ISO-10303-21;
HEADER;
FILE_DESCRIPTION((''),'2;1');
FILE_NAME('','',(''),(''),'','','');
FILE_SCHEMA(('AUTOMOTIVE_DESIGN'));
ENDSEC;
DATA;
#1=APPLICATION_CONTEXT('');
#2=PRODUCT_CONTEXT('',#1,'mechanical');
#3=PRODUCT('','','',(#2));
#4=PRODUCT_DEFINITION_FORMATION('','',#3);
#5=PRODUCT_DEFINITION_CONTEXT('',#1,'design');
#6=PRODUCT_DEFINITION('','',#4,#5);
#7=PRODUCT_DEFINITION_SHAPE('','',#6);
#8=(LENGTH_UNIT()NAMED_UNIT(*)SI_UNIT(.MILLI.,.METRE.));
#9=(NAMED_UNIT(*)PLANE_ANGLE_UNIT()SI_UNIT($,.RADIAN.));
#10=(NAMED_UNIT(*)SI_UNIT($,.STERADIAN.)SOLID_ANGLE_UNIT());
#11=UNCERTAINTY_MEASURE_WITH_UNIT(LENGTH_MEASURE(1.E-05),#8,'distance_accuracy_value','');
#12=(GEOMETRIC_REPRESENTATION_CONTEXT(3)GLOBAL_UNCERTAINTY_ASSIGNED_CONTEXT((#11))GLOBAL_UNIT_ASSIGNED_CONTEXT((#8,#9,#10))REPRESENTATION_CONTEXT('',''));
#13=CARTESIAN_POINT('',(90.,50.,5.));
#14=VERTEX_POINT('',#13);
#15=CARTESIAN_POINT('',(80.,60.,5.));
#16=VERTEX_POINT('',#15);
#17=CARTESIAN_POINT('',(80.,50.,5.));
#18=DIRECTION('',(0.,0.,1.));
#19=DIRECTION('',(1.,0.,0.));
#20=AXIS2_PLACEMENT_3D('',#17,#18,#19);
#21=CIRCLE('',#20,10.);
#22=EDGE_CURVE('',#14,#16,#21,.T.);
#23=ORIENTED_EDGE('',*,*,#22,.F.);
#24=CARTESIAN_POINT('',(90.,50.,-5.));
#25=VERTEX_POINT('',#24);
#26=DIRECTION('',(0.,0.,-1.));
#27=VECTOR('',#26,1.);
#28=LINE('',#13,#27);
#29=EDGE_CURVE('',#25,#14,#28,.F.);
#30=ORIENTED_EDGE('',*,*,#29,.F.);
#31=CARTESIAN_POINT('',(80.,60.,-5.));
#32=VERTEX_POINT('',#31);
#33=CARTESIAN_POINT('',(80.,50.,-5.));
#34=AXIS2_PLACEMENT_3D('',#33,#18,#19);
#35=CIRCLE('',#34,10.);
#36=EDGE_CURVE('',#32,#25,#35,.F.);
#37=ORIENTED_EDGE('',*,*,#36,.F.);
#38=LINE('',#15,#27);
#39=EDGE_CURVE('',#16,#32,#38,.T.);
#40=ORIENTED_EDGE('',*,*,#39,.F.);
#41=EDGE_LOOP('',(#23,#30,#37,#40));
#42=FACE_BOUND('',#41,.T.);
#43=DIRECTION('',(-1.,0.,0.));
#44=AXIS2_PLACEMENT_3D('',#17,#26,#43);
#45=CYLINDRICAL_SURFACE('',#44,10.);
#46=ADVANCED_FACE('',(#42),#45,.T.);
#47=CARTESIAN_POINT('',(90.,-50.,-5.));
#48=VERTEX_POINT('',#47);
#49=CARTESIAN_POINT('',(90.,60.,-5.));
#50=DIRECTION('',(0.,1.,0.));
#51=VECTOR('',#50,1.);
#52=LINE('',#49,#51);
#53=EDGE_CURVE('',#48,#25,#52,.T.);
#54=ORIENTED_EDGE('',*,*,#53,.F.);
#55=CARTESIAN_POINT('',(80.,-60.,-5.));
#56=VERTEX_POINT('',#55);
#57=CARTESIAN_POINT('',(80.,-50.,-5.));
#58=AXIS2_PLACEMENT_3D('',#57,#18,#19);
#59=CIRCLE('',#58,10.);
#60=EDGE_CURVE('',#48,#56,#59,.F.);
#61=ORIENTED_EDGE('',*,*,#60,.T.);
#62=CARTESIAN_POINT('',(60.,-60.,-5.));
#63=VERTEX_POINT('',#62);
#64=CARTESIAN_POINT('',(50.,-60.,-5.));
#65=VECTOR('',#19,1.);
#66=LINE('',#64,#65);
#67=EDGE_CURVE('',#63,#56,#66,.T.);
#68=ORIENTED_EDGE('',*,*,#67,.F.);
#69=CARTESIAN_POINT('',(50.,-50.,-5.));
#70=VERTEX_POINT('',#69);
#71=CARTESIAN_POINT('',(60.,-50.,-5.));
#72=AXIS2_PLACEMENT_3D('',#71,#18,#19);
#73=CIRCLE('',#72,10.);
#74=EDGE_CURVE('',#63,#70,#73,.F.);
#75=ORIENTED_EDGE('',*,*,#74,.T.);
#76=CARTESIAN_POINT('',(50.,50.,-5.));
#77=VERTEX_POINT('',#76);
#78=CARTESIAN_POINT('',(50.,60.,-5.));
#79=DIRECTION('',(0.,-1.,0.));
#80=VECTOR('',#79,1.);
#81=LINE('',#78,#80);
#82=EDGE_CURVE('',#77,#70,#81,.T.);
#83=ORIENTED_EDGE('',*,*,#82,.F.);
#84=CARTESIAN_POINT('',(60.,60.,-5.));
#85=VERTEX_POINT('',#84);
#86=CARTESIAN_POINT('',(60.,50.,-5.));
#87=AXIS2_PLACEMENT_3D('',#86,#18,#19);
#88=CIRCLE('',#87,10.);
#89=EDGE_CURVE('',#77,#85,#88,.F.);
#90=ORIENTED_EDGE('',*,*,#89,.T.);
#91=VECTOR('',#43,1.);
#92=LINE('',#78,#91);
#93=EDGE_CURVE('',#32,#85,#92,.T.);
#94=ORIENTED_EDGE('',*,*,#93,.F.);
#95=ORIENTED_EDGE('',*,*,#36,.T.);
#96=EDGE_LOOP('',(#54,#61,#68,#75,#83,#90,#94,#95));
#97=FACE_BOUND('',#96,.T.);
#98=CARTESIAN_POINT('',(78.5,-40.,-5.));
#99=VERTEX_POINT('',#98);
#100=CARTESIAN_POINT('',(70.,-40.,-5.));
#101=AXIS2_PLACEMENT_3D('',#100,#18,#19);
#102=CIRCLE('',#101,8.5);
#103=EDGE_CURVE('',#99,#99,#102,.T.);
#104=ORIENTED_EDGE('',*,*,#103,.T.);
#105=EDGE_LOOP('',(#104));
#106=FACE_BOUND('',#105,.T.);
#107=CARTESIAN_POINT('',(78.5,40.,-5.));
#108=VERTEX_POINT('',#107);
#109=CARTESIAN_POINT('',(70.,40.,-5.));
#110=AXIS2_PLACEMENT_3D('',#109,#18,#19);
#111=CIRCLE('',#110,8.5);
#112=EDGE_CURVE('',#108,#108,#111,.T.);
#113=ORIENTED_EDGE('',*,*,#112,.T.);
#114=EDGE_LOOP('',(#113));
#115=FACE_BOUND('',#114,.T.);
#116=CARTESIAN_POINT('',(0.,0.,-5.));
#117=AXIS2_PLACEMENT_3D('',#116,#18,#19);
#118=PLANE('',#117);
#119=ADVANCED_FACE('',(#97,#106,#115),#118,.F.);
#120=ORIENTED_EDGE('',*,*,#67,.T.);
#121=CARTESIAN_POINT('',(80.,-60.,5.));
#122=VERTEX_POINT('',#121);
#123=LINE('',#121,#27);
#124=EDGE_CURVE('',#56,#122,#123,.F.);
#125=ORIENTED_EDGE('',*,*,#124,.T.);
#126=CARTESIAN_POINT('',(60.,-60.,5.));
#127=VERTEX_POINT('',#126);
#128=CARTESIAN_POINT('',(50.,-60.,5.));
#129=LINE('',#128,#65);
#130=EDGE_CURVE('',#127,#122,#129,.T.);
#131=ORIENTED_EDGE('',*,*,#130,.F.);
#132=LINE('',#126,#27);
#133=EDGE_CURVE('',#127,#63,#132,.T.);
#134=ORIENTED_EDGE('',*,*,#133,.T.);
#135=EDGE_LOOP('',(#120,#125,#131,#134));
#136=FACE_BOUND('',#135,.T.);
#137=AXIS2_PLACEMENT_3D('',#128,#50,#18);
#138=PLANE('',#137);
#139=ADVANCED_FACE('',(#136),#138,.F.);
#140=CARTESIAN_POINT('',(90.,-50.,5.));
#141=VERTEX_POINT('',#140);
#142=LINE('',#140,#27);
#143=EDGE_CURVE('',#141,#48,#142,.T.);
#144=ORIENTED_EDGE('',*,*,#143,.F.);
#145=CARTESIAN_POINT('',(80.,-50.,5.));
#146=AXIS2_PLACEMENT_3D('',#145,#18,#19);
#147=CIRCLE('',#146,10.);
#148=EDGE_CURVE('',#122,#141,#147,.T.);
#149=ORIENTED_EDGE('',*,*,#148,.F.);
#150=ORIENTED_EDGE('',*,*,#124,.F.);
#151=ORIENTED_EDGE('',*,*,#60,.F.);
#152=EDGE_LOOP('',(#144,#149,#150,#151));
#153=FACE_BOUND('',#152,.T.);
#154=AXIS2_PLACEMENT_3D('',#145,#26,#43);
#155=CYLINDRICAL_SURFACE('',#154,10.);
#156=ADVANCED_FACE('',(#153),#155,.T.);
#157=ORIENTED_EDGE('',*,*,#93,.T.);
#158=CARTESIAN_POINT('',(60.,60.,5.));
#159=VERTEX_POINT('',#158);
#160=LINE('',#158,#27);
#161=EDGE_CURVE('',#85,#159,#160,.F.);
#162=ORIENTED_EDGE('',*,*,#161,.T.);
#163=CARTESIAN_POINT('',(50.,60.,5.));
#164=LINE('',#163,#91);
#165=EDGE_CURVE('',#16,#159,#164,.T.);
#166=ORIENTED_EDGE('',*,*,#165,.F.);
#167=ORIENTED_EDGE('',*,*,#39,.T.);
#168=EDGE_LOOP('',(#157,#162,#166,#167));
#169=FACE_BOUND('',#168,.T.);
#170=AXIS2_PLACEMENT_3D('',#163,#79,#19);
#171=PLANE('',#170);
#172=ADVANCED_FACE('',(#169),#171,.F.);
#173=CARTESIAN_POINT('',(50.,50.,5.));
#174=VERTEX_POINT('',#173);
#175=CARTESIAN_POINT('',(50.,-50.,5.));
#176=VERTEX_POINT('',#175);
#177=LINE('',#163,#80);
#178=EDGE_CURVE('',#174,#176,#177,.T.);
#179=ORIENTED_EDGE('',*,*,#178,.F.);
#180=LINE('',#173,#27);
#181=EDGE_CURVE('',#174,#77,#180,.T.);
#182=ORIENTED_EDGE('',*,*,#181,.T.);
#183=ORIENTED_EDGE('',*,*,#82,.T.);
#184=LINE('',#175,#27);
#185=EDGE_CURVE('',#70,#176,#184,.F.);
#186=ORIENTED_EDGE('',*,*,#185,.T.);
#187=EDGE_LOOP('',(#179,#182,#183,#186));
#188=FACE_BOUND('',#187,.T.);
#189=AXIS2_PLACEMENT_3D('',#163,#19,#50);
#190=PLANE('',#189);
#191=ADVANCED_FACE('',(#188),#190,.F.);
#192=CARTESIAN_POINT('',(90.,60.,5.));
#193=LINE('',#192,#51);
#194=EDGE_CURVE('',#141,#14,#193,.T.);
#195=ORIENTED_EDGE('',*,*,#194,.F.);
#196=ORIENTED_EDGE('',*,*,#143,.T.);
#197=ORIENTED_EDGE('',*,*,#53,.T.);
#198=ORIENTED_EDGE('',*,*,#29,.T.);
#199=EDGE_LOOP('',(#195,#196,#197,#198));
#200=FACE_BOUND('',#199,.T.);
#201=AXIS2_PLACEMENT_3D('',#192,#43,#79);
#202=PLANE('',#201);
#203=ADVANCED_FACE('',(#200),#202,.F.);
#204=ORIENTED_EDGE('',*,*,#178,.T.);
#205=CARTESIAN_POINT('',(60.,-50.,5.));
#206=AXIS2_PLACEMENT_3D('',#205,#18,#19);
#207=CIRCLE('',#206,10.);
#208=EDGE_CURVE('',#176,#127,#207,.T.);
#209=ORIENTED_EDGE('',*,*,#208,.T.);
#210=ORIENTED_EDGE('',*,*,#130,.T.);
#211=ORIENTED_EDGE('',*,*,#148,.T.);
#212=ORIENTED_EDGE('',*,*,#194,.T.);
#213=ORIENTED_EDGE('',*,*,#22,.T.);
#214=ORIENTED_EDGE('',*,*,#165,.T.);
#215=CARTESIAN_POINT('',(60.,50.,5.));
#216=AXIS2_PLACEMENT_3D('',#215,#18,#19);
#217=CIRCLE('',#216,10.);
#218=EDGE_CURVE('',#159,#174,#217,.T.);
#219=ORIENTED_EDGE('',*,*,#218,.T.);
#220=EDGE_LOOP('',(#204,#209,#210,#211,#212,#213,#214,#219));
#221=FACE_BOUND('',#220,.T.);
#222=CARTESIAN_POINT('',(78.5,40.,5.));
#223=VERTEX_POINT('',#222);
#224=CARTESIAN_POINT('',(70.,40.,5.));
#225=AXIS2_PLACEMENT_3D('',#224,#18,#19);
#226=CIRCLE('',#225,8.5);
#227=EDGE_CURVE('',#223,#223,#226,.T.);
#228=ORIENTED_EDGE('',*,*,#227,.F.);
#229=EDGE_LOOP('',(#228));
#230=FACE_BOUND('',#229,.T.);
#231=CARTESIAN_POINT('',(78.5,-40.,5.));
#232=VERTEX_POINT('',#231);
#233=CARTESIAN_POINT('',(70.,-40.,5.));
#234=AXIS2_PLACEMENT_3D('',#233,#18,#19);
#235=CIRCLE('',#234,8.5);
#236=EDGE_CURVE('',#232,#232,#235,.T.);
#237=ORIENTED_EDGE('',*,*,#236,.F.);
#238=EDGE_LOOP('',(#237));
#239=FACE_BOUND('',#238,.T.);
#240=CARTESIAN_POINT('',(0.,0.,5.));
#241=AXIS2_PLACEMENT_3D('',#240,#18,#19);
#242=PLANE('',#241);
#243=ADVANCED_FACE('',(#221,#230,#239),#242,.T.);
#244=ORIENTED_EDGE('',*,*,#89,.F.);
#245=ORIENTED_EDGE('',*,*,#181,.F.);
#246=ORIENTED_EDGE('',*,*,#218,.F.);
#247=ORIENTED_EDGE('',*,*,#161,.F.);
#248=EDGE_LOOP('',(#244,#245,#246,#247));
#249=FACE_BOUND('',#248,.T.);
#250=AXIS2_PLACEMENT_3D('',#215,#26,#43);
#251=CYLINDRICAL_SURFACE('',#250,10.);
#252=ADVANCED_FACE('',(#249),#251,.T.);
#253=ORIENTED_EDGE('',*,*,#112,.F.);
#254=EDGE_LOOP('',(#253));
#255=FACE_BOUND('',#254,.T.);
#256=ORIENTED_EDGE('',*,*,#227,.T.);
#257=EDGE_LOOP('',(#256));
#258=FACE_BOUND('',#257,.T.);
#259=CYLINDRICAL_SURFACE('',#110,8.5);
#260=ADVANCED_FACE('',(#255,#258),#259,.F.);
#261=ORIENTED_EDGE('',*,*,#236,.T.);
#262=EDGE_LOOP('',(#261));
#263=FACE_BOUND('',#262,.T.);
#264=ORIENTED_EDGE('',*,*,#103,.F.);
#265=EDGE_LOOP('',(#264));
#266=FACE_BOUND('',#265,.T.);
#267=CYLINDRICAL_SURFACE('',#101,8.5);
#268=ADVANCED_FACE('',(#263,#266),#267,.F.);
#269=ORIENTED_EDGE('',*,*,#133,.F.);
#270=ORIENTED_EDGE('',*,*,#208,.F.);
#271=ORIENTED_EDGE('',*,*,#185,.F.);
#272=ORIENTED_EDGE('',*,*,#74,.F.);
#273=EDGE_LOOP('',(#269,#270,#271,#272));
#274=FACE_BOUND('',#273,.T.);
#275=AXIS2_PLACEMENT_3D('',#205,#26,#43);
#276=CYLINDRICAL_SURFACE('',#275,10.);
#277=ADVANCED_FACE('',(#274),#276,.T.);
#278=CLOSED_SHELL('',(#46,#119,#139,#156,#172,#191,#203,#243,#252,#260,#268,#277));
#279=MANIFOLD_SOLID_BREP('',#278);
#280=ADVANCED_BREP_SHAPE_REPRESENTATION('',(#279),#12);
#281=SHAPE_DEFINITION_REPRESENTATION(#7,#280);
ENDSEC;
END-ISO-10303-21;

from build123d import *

# Parameters (mm, degrees)
ESQUISSE1_W             = 40
ESQUISSE1_H             = 120
BOSS_EXTRU_1_DEPTH      = 5
ESQUISSE2_R             = 8.5
ENL_V_MAT_EXTRU_1_DEPTH = 11
CONG_1_R                = 10


with BuildPart() as part:
    # Esquisse1 → Boss.-Extru.1 (new body, symmetric)
    with BuildSketch(Plane.XY):
        with Locations((70, 0)):
            Rectangle(ESQUISSE1_W, ESQUISSE1_H)
    extrude(amount=BOSS_EXTRU_1_DEPTH, both=True)

    # Esquisse2 → Enlèv. mat.-Extru.1 (cut, through all)
    with BuildSketch(Plane.XY.offset(5)):
        with Locations((70, 40)):
            Circle(ESQUISSE2_R)
        with Locations((70, -40)):
            Circle(ESQUISSE2_R)
    extrude(amount=-ENL_V_MAT_EXTRU_1_DEPTH, mode=Mode.SUBTRACT)

    # Congé1
    cong_1_edges = [part.edges().sort_by_distance(p)[0] for p in [
        (50, 60, 0),
        (90, 60, 0),
        (90, -60, 0),
        (50, -60, 0),
    ]]
    fillet(cong_1_edges, radius=CONG_1_R)


solid = part.part
